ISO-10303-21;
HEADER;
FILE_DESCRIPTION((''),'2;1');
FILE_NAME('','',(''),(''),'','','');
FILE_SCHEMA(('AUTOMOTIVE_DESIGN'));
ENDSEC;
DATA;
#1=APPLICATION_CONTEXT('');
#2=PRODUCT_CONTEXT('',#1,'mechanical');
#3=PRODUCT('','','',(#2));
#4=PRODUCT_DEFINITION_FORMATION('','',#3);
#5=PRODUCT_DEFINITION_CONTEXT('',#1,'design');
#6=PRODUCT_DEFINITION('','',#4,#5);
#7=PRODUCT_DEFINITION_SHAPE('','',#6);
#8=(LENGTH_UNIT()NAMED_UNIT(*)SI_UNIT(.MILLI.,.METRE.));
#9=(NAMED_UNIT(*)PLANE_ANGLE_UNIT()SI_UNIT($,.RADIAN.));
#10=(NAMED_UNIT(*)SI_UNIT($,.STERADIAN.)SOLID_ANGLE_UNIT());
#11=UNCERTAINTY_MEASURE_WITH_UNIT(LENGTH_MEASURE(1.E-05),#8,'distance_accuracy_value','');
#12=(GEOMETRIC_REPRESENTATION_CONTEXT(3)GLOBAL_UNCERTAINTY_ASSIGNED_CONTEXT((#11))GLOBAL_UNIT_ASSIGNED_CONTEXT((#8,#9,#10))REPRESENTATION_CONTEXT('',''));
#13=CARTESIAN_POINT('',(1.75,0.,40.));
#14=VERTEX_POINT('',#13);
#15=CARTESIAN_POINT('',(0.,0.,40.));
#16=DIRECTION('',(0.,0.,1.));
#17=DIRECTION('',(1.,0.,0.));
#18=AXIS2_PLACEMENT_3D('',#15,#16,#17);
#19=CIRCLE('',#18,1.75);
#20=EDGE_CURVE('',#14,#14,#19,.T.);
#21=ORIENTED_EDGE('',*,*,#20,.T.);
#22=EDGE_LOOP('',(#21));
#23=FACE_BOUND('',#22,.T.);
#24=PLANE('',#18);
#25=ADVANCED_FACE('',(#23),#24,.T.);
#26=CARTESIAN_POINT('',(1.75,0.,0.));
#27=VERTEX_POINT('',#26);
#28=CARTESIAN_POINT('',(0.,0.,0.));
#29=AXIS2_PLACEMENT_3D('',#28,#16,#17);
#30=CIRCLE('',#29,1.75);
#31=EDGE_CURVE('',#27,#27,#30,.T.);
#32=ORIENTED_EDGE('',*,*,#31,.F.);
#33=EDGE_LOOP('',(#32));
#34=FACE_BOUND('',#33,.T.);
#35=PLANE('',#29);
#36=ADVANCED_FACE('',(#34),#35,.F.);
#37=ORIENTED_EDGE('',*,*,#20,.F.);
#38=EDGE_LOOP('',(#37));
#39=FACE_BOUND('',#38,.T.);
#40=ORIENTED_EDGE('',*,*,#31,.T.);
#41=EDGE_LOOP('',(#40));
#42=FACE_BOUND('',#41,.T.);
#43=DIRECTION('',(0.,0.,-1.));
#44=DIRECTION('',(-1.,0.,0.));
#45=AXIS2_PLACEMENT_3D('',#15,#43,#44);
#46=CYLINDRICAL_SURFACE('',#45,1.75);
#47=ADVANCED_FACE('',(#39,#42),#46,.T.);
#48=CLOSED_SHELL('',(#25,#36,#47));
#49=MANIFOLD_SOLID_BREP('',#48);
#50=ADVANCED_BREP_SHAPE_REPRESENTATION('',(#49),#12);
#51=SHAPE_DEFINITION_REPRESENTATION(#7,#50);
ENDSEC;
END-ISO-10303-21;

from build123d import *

# Parameters (mm, degrees)
CROQUIS1_R              = 1.75
SALIENTE_EXTRUIR1_DEPTH = 40


with BuildPart() as part:
    # Croquis1 → Saliente-Extruir1 (new body)
    with BuildSketch(Plane.XY):
        Circle(CROQUIS1_R)
    extrude(amount=SALIENTE_EXTRUIR1_DEPTH)


solid = part.part
